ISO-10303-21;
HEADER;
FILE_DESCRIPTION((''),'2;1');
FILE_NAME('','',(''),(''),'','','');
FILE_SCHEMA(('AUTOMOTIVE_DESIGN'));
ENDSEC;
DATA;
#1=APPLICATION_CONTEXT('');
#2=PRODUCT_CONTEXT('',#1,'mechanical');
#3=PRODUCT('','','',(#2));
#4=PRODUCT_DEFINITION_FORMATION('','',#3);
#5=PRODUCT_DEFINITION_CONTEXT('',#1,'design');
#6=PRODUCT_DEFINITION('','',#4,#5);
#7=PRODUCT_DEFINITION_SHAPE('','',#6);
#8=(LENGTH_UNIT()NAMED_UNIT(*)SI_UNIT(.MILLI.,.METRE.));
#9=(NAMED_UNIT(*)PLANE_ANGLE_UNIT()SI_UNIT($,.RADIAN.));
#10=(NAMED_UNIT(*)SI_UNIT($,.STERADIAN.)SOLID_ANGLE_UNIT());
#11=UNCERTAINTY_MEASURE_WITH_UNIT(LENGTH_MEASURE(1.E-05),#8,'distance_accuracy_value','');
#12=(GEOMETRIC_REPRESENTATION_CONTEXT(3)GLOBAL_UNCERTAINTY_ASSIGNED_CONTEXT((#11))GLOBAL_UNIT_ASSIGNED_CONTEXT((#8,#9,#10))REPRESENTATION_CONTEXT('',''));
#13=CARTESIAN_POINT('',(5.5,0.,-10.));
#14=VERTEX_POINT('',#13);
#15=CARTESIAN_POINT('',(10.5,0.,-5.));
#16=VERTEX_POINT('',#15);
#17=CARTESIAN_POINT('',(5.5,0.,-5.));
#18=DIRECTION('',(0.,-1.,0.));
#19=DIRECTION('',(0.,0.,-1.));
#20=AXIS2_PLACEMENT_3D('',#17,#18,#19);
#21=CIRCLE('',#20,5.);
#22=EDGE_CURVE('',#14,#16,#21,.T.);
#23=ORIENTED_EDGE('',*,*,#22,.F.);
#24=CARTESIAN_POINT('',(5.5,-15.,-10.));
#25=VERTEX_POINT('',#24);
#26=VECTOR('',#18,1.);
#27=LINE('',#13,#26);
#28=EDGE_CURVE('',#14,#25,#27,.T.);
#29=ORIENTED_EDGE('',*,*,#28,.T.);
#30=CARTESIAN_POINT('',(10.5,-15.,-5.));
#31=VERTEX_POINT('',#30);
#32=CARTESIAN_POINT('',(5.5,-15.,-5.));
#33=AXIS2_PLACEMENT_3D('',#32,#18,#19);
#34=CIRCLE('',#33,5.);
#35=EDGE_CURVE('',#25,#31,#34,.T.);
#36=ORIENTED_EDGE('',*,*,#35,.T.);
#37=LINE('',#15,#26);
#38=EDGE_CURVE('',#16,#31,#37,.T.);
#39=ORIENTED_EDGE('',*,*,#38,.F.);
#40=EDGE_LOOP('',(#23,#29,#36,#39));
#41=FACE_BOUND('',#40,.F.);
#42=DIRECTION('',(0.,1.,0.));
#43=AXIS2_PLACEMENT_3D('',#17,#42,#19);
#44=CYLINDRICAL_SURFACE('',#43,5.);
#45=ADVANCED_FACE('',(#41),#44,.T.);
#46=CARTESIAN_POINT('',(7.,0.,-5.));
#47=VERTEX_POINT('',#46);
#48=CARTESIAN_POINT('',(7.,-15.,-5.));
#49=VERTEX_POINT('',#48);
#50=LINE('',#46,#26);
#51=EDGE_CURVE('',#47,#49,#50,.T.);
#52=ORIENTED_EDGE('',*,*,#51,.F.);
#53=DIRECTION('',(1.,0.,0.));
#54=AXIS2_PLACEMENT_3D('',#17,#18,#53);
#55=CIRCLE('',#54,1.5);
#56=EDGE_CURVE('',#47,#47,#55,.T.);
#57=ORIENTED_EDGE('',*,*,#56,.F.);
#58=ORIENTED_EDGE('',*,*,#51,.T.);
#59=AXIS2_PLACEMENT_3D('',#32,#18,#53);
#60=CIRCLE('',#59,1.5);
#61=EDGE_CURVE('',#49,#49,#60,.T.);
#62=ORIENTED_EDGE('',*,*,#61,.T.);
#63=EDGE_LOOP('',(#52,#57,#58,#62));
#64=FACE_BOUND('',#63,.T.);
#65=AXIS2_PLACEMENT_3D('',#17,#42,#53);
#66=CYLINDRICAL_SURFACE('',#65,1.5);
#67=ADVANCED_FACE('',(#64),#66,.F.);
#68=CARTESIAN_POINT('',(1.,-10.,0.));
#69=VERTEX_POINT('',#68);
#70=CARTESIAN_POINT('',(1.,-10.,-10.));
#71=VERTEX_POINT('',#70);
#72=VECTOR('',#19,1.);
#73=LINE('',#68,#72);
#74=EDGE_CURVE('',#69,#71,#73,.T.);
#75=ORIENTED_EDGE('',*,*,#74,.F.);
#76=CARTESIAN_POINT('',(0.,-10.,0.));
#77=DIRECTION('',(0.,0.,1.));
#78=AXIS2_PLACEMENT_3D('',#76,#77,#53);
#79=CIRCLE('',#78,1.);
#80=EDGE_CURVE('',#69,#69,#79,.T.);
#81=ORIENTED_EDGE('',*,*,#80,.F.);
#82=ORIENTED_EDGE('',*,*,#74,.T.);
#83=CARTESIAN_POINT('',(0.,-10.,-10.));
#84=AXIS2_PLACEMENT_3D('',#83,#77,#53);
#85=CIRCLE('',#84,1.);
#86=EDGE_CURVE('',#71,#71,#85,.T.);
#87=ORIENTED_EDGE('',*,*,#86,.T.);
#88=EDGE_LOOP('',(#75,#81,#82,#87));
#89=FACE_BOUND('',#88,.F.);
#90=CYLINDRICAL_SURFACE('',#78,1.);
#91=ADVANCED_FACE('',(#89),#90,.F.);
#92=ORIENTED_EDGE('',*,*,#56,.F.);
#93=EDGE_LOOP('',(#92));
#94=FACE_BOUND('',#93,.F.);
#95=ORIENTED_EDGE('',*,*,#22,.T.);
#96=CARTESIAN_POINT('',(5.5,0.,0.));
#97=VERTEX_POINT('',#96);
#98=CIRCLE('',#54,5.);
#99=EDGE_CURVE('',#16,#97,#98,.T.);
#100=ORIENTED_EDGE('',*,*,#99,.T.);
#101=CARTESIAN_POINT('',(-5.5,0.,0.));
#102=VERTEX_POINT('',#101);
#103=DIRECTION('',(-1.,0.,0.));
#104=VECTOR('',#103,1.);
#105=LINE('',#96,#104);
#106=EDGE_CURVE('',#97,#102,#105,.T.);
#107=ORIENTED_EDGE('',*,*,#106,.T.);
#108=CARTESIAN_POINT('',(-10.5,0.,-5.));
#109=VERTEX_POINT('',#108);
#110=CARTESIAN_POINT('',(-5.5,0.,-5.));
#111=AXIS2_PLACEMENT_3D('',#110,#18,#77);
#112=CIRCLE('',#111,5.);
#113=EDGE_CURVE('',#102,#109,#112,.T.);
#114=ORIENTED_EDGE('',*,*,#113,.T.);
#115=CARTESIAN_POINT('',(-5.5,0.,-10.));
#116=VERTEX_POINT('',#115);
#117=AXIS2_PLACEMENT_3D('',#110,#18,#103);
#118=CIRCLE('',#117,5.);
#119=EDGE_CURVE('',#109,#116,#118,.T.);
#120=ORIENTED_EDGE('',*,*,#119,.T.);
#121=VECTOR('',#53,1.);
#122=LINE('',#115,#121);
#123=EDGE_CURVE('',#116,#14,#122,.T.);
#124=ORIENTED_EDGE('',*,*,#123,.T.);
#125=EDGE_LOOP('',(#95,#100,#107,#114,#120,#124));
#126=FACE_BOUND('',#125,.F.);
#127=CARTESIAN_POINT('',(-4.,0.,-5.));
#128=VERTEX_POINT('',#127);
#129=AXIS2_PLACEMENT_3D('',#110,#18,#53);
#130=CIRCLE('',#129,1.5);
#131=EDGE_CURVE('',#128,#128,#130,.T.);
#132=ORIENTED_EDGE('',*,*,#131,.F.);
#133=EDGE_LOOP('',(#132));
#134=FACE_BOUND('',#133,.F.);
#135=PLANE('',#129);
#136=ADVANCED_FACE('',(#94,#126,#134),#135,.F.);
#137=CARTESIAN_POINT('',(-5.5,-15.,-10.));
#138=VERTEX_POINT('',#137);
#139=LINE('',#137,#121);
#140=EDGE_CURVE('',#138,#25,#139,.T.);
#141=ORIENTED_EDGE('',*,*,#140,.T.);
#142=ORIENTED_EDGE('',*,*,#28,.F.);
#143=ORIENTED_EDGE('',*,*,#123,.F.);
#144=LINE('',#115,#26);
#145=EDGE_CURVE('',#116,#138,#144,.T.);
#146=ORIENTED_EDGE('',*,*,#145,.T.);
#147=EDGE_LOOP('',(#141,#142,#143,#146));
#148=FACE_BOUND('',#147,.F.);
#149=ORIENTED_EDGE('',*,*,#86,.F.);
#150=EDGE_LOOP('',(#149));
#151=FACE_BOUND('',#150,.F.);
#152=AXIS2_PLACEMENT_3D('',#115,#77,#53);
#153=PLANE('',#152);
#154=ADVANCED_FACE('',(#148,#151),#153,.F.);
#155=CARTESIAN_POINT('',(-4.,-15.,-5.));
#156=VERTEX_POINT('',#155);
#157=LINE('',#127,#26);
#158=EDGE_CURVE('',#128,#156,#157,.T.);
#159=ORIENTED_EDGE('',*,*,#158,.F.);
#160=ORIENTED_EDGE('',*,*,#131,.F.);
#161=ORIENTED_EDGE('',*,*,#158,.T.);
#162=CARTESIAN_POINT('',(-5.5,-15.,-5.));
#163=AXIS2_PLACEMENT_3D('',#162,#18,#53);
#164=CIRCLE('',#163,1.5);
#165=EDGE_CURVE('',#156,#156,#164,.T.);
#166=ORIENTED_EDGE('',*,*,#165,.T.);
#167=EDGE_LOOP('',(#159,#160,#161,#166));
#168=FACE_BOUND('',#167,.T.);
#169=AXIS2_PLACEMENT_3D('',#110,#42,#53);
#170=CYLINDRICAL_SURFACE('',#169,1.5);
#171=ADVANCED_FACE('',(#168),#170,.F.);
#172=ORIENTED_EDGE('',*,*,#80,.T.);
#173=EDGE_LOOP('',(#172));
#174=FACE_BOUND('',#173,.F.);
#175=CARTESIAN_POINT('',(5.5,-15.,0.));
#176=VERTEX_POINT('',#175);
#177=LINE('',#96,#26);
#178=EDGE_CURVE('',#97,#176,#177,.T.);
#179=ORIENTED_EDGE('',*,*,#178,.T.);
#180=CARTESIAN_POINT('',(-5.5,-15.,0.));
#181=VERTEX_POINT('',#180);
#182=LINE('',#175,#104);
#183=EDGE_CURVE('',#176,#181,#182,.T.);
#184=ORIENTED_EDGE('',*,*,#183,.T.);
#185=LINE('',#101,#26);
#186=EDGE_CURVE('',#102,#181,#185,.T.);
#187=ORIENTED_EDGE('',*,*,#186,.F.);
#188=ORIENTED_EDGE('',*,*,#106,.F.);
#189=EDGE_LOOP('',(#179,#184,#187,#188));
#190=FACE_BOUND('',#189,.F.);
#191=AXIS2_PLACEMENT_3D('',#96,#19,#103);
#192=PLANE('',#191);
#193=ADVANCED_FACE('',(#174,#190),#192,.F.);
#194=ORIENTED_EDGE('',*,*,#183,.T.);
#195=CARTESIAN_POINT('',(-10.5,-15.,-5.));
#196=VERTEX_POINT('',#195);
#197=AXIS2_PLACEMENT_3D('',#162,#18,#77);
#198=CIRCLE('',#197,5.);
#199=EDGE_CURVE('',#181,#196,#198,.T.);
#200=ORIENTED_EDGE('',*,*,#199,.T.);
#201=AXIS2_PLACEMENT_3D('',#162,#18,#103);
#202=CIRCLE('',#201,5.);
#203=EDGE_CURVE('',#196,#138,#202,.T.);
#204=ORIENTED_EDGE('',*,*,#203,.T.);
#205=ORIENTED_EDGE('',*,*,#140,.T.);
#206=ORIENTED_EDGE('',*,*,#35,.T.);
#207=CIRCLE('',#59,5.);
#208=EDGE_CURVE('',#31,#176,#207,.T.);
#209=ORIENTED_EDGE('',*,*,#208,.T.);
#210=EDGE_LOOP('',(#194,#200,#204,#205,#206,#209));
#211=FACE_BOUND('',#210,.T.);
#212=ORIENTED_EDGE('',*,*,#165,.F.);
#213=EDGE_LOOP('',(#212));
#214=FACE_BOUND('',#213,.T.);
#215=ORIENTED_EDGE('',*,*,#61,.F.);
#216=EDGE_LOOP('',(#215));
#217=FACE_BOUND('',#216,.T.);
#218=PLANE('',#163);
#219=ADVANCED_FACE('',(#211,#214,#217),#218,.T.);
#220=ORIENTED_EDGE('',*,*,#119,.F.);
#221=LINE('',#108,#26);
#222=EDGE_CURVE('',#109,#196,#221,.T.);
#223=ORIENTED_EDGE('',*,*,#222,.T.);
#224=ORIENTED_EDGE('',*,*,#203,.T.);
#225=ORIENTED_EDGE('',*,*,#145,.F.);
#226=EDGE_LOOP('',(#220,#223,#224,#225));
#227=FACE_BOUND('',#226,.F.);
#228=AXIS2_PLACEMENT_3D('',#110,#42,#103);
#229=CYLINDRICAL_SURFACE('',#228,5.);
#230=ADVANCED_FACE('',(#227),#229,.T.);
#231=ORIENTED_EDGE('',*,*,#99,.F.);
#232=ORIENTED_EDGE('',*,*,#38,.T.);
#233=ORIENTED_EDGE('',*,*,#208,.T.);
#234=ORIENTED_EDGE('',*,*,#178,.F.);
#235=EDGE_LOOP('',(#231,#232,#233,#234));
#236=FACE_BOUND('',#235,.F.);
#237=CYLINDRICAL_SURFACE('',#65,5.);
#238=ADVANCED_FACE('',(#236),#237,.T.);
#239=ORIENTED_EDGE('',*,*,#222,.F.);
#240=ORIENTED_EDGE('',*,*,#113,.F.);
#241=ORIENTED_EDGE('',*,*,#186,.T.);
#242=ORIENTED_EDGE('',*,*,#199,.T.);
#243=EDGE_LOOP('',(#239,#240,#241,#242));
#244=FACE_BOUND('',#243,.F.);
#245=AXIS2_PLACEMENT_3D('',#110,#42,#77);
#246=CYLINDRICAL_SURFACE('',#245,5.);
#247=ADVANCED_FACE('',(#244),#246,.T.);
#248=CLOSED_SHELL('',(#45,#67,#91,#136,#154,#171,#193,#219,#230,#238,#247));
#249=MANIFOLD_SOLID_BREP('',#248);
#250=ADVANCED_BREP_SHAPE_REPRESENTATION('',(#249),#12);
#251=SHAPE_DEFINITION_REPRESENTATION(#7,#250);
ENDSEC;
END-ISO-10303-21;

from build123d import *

# Parameters (mm, degrees)
F0_R     = 1.5
F1_DEPTH = 15
F2_R     = 1
F3_DEPTH = 10


with BuildPart() as f1:
    # F0 (on Front) → F1 (new body)
    with BuildSketch(Plane.XZ):
        with BuildLine():
            ThreePointArc((-0.5, -5), (-1.9644660941, -1.4644660941), (-5.5, 0))
            ThreePointArc((-5.5, 0), (-9.0355339059, -1.4644660941), (-10.5, -5))
            ThreePointArc((-10.5, -5), (-9.0355339059, -8.5355339059), (-5.5, -10))
            ThreePointArc((-5.5, -10), (-1.9644660941, -8.5355339059), (-0.5, -5))
        make_face()
        with Locations((-5.5, -5)):
            Circle(F0_R, mode=Mode.SUBTRACT)
        with BuildLine():
            Line((5.5, 0), (-5.5, 0))
            ThreePointArc((-5.5, 0), (-1.9644660941, -1.4644660941), (-0.5, -5))
            ThreePointArc((-0.5, -5), (-1.9644660941, -8.5355339059), (-5.5, -10))
            Line((-5.5, -10), (5.5, -10))
            ThreePointArc((5.5, -10), (0.5, -5), (5.5, 0))
        make_face()
        with BuildLine():
            ThreePointArc((10.5, -5), (9.0355339059, -1.4644660941), (5.5, 0))
            ThreePointArc((5.5, 0), (0.5, -5), (5.5, -10))
            ThreePointArc((5.5, -10), (9.0355339059, -8.5355339059), (10.5, -5))
        make_face()
        with Locations((5.5, -5)):
            Circle(F0_R, mode=Mode.SUBTRACT)
    extrude(amount=F1_DEPTH)

    # F2 (on Top) → F3 (cut)
    with BuildSketch(Plane.XY):
        with Locations((0, -10)):
            Circle(F2_R)
    extrude(amount=-F3_DEPTH, mode=Mode.SUBTRACT)


solid = f1.part
